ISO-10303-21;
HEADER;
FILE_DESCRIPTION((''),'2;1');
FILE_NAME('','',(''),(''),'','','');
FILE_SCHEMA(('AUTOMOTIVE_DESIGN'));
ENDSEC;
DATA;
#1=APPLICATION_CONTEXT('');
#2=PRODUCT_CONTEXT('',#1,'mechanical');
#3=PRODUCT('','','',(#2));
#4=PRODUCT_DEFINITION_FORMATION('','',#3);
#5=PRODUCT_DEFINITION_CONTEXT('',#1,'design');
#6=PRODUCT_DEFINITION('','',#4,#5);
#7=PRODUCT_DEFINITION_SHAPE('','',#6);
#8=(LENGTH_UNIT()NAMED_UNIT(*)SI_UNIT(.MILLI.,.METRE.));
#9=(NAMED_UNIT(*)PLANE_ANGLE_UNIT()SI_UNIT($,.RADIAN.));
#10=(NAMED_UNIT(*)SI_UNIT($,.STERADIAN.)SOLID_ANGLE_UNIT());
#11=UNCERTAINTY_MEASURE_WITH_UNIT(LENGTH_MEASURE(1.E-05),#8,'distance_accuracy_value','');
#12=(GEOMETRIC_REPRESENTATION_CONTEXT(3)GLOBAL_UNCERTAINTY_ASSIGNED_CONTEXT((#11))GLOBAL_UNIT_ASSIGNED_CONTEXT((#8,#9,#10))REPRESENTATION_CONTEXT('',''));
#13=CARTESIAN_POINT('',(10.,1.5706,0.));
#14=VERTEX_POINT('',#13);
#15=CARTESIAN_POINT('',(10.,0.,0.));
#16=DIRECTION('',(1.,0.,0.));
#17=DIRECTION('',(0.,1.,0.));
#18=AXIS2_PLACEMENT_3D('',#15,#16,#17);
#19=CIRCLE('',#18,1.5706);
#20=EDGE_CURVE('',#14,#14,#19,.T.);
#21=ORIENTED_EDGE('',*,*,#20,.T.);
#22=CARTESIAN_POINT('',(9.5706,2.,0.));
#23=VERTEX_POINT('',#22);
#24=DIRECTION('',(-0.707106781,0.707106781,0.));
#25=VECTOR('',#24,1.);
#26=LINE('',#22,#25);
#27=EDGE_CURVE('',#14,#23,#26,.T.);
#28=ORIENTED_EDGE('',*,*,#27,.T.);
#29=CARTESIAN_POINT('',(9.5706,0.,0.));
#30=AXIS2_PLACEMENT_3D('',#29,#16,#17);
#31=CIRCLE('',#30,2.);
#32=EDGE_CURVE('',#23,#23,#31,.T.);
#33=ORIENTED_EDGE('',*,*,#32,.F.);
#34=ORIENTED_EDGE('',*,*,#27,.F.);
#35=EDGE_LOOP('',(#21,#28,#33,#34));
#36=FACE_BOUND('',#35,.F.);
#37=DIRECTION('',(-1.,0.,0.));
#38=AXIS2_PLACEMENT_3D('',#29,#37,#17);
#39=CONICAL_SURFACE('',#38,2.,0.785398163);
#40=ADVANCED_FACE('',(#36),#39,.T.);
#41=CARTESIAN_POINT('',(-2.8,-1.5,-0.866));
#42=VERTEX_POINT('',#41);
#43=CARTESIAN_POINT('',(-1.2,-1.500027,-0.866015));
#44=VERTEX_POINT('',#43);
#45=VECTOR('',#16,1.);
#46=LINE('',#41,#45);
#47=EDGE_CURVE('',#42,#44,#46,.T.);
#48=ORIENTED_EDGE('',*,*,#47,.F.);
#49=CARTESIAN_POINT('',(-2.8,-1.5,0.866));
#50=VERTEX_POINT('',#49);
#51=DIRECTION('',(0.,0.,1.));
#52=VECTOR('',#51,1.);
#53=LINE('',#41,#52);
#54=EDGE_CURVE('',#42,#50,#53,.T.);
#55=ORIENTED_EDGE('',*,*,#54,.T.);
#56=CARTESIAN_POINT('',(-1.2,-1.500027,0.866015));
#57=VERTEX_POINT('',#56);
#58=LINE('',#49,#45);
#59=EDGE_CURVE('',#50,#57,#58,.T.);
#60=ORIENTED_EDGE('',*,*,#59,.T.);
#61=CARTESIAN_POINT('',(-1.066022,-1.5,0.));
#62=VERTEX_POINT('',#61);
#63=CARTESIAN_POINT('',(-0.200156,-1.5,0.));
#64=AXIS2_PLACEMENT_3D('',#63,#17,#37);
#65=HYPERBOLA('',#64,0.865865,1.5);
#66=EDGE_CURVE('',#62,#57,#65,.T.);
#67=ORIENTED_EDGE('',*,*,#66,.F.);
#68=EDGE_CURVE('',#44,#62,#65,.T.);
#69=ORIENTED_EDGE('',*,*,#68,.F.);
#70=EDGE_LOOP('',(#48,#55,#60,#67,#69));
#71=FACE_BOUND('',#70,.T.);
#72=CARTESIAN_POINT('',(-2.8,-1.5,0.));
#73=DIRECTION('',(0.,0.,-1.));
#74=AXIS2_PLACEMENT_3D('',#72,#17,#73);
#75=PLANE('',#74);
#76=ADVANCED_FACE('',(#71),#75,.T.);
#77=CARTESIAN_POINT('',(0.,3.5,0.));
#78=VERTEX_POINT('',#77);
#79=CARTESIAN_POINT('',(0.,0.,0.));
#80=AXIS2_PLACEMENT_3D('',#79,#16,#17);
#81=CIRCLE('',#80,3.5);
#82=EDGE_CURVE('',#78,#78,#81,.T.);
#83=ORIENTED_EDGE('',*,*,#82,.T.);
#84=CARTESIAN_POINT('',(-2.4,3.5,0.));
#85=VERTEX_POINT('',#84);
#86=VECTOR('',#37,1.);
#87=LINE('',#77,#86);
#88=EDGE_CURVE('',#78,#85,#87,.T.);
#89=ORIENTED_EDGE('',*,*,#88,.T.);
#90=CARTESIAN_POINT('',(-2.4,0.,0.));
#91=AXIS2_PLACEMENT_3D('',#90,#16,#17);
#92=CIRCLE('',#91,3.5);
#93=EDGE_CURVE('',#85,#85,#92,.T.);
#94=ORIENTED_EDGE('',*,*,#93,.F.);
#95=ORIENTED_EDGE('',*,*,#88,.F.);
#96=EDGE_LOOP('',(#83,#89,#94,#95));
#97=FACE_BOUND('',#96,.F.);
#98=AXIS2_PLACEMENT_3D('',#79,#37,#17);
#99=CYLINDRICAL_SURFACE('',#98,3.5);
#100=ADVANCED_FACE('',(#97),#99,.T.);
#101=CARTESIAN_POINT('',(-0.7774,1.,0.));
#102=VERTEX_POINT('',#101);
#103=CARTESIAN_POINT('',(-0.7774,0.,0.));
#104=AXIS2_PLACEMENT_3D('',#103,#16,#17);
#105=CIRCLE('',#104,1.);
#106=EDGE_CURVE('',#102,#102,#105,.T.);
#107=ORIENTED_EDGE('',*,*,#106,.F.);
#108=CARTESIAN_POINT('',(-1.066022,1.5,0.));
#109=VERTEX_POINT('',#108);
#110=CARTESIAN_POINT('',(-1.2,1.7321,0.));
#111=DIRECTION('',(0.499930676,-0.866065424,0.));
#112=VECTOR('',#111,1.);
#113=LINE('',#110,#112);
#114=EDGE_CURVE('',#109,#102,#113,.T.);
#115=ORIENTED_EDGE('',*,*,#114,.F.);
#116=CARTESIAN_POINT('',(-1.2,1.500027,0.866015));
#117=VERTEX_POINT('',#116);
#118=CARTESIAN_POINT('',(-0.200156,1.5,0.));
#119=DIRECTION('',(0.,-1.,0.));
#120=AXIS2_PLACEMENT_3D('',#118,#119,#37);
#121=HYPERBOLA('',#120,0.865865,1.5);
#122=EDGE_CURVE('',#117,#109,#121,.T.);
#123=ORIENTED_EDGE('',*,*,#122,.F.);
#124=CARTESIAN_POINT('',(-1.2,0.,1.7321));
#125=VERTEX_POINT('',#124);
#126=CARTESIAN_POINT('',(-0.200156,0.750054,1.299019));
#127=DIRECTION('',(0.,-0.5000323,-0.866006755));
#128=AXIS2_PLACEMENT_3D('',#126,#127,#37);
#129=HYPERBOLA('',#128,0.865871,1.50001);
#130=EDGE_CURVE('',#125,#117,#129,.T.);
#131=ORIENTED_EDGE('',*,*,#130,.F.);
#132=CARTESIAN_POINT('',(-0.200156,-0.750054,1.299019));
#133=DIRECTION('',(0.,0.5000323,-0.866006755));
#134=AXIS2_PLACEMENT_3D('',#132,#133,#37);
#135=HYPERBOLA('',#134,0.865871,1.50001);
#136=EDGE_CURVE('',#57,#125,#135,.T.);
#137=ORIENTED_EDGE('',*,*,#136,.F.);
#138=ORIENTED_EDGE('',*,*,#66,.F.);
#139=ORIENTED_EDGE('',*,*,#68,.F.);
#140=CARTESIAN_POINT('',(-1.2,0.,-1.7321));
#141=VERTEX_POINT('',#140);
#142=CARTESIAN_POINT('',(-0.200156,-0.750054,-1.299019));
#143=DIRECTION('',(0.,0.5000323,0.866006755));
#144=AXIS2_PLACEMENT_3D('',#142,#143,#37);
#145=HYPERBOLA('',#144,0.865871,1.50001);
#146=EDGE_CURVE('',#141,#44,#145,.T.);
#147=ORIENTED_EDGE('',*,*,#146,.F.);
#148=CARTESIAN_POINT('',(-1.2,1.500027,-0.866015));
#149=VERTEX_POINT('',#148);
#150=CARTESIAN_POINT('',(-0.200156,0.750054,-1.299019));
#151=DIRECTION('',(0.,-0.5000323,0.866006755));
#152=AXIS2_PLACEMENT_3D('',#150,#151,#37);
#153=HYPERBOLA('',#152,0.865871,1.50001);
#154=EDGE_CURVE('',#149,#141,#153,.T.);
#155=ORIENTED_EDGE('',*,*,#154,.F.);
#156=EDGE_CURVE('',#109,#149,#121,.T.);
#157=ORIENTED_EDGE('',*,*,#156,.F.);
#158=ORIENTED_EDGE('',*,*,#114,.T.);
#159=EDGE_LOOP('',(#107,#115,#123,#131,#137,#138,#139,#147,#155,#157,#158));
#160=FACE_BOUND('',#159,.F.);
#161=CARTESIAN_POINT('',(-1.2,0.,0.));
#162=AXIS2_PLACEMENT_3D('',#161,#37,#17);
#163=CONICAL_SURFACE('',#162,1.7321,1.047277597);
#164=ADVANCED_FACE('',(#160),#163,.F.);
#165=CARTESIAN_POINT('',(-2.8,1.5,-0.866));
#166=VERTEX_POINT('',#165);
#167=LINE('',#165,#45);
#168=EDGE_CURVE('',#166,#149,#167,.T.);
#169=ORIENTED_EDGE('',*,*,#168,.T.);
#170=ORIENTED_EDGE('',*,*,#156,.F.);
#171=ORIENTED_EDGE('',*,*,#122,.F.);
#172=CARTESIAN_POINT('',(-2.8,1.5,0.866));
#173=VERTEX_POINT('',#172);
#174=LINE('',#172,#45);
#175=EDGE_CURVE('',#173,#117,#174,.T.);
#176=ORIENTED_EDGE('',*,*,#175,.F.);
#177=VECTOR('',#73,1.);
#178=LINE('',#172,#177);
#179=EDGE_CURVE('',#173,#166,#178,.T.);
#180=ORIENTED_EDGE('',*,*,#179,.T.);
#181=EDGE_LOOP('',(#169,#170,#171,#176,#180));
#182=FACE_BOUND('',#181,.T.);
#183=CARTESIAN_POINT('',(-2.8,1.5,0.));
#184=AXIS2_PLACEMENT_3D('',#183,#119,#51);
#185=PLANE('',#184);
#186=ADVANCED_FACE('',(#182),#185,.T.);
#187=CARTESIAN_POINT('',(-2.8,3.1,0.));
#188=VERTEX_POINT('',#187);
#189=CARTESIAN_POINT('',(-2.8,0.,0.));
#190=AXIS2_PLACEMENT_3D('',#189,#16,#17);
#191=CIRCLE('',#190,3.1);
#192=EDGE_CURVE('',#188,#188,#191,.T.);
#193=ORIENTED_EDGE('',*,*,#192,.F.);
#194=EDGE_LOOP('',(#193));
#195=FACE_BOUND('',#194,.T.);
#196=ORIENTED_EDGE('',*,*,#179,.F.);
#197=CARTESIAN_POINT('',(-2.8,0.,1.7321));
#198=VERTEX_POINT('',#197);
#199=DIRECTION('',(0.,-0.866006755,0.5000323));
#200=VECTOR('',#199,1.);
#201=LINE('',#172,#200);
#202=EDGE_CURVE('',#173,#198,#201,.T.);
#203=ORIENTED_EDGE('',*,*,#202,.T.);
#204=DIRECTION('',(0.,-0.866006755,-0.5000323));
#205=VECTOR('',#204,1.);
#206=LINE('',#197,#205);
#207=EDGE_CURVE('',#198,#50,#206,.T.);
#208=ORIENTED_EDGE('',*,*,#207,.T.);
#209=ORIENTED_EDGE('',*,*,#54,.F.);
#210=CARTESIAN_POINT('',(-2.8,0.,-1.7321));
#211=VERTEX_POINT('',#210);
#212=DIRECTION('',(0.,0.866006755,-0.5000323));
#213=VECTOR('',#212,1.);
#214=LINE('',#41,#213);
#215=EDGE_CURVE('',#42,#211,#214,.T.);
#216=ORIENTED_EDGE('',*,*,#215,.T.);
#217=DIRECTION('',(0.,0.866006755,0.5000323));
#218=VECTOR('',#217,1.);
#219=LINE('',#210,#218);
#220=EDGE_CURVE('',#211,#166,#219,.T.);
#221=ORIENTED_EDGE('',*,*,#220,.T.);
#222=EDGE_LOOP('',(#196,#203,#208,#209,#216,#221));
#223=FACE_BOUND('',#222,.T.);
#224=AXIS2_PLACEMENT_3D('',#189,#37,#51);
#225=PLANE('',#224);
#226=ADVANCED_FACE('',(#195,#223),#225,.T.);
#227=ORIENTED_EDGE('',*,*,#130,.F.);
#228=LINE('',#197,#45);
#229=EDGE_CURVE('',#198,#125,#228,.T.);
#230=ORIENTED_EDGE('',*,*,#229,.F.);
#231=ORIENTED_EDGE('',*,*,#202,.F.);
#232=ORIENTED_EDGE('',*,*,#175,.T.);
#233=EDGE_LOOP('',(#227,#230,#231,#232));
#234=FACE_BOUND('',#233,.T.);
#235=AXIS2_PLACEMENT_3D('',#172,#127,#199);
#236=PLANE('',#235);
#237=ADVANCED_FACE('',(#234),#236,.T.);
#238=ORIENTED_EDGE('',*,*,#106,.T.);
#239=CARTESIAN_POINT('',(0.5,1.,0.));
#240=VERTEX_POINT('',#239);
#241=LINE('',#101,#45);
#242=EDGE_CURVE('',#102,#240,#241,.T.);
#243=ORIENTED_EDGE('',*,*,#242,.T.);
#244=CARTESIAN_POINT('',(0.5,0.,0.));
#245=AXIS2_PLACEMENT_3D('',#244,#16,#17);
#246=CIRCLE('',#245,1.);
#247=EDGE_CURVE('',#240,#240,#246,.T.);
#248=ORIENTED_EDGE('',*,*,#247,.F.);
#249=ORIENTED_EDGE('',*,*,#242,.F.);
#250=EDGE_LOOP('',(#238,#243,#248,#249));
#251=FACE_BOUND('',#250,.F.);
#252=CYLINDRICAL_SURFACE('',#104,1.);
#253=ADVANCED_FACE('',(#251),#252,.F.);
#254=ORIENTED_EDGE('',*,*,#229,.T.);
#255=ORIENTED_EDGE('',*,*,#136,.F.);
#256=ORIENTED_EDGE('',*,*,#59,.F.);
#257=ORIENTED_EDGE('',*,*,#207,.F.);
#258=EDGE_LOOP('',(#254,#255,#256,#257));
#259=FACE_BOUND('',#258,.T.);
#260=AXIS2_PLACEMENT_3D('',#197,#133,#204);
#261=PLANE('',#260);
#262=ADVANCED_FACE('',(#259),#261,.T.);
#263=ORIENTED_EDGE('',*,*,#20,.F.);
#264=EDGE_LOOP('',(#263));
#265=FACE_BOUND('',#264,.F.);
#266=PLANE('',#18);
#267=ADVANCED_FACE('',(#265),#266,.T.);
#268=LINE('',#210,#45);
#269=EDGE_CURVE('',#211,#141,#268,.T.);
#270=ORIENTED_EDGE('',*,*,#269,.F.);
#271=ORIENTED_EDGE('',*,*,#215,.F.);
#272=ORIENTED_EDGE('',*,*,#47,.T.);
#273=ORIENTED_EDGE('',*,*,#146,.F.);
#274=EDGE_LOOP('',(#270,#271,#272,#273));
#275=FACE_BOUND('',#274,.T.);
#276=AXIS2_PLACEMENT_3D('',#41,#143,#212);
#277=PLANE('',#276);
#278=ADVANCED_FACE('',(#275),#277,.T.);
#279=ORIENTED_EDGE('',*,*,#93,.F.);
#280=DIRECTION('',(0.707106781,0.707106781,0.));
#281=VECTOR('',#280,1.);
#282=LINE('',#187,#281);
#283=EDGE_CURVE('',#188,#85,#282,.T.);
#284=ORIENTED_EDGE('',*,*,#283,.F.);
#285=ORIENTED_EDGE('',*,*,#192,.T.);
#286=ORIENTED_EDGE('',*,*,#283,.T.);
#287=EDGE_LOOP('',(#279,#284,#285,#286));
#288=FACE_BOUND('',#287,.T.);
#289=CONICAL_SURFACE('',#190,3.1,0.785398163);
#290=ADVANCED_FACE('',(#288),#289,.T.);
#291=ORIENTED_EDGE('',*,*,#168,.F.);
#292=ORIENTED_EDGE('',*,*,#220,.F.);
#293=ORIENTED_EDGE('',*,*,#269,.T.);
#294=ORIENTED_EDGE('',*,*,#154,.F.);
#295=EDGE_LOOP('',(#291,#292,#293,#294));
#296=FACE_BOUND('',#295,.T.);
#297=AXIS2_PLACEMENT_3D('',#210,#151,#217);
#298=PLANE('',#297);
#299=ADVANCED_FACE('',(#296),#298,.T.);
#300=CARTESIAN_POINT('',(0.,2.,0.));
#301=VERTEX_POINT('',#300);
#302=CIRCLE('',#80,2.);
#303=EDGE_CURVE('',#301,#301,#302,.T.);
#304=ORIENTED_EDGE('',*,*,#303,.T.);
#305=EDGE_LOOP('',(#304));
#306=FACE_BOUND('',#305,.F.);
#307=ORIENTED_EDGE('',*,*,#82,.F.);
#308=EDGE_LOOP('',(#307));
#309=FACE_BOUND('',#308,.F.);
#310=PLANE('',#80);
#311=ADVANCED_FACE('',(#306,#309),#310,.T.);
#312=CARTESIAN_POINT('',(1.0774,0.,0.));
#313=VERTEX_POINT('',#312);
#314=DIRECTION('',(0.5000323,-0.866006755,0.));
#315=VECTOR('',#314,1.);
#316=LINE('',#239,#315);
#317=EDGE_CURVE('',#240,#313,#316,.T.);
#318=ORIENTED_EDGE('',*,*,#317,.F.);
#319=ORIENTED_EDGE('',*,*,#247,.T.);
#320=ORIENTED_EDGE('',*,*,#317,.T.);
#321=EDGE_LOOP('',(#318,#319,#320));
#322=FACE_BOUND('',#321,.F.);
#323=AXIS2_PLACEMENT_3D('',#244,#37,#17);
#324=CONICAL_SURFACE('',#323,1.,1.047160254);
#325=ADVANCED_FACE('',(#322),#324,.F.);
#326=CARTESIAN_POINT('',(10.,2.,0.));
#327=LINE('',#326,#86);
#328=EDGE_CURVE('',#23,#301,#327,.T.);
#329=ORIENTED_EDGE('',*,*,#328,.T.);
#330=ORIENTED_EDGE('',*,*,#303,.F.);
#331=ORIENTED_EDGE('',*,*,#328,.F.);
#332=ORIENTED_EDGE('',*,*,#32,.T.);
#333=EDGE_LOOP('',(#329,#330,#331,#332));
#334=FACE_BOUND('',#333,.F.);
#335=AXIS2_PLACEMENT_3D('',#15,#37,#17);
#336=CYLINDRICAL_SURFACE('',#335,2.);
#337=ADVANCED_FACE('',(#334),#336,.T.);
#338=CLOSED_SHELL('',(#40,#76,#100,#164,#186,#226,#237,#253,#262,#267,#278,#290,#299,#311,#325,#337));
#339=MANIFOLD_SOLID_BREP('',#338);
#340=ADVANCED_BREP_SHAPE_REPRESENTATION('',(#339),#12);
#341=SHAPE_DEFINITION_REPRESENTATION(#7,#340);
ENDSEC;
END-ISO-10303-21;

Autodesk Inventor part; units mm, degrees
ref_plane "YZ Plane" through (0, 0, 0) normal (1, 0, 0) x (0, 1, 0)
ref_plane "XZ Plane" through (0, 0, 0) normal (0, 1, 0) x (-1, 0, 0)
sketch "Szkic1" plane through (0, 0, 0) normal (0, 0, 1) x (1, 0, 0)
  line L0 (1.0774, 0) -> (10, 0)
  line L1 (10, 0) -> (10, 2)
  line L2 (10, 2) -> (0, 2)
  line L3 (0, 2) -> (0, 3.5)
  line L4 (0, 3.5) -> (-2.8, 3.5)
  line L5 (-2.8, 3.5) -> (-2.8, 1.7321)
  line L6 (-2.8, 1.7321) -> (-1.2, 1.7321)
  line L7 (-1.2, 1.7321) -> (-0.7774, 1)
  line L8 (-5.36, 0) -> (12.56, 0) projected
  line L9 (0, -0.7) -> (0, 4.2) projected
  line L10 (-0.7774, 1) -> (0.5, 1)
  line L11 (0.5, 1) -> (1.0774, 0)
  line L12 (-2.8, 1.7321) -> (-2.8, 0) construction
  line L13 (-2.8, 3.1) -> (-2.4, 3.5)
  dimension "d0" = 2.8
  dimension "d1" = 1.6
  dimension "d2" = 60
  dimension "d3" = 4
  dimension "d4" = 3.4641
  dimension "d5" = 7
  dimension "d15" = 3.3
  dimension "d16" = 2
  dimension "d17" = 10
  dimension "d32" = 45
  dimension "d33" = 0.4
revolve "Bryła" add sketch "Szkic1" angle 360 about axis through (1.0774, 0, 0) along (1, 0, 0) contours L11 L10 L9 L2 L1 L0 | L10 L7 L6 L5 L13 L4 L3 L9 | L13 L5 L4
revolve "Faza2" cut sketch "Szkic1" angle 360 about axis through (-10, 0, 0) along (1, 0, 0) contours L13 L5 L4
sketch "Szkic2" plane through (-2.8, 0, 0) normal (-1, 0, 0) x (0, 0, 1)
  circle A0 centre (0, 0) radius 1.7321 projected
  line L0 (0, -4.9) -> (0, 4.9) projected
  line L1 (-4.9, 0) -> (4.9, 0) projected
  line L2 (1.7321, 0) -> (0.866, -1.5)
  line L3 (0.866, -1.5) -> (-0.866, -1.5)
  line L4 (-0.866, -1.5) -> (-1.7321, 0)
  line L5 (-1.7321, 0) -> (-0.866, 1.5)
  line L6 (-0.866, 1.5) -> (0.866, 1.5)
  line L7 (0.866, 1.5) -> (1.7321, 0)
extrude "Szczelina" add sketch "Szkic2" against normal up to next contours L7 A0 | A0 L2 | L6 L0 A0 | A0 L0 L3 | L0 L6 A0 | A0 L3 L0 | L4 A0 | A0 L5
thread "Gwint" size "M4x0.7" class "6g" standard "ISO Metric profile" length 6.5
chamfer "Faza1" distance 0.4294 distance2 0.4294 1 edges at (10, -2, 0) measured on face at (10, 0.556, 0.0273)
ref_plane "Work Plane1" through (5, 0, 0) normal (0, 0.5, 0.866) x (1, 0, 0)
equation "\"d0\" = KOH"
equation "\"d1\" = INTI"
equation "\"d3\" = GD"
equation "\"d4\" = 1.1547 * SW"
equation "\"d5\" = KOD"
equation "\"d15\" = INFT"
equation "\"d16\" = SDT"
equation "\"d17\" = NLG"
equation "\"d33\" = Cham"
equation "\"d7\" = GEL"
equation "\"d9\" = -0.5 * SPD + 0.5 * GD"
equation "\"d12\" = GUL"
equation "\"GD\" = NND"
equation "\"NLG\" = 10"
equation "\"GEL\" = 6.5"
equation "\"KOD\" = 7"
equation "\"KOH\" = 2.8"
equation "\"GUL\" = 0.61345 * PTC"
equation "\"SW\" = 3"
equation "\"INTI\" = 1.6"
equation "\"SPD\" = NND - 1.2269 * PTC"
equation "\"SDT\" = 2"
equation "\"INFT\" = 3.3"
equation "\"Cham\" = 0.4"
equation "\"TOA\" = 30deg"
equation "\"GD1\" = THREADDIA - 1.2269 * PTC"
equation "\"THREADDIA\" = 4"
equation "\"BDM\" = NND"
equation "\"FAWI\" = 45deg"
equation "\"RR\" = 0.1 * NND"
equation "\"PTC\" = 0.7"
equation "\"NND\" = 4"
equation "\"FAWI1\" = 45deg"
equation "\"GAL\" = 0.61345 * PTC"
equation "\"E0\" = 1.155 * SW"
properties part number "DIN 6912 - M4 x 10" material "Stal, miękka"
